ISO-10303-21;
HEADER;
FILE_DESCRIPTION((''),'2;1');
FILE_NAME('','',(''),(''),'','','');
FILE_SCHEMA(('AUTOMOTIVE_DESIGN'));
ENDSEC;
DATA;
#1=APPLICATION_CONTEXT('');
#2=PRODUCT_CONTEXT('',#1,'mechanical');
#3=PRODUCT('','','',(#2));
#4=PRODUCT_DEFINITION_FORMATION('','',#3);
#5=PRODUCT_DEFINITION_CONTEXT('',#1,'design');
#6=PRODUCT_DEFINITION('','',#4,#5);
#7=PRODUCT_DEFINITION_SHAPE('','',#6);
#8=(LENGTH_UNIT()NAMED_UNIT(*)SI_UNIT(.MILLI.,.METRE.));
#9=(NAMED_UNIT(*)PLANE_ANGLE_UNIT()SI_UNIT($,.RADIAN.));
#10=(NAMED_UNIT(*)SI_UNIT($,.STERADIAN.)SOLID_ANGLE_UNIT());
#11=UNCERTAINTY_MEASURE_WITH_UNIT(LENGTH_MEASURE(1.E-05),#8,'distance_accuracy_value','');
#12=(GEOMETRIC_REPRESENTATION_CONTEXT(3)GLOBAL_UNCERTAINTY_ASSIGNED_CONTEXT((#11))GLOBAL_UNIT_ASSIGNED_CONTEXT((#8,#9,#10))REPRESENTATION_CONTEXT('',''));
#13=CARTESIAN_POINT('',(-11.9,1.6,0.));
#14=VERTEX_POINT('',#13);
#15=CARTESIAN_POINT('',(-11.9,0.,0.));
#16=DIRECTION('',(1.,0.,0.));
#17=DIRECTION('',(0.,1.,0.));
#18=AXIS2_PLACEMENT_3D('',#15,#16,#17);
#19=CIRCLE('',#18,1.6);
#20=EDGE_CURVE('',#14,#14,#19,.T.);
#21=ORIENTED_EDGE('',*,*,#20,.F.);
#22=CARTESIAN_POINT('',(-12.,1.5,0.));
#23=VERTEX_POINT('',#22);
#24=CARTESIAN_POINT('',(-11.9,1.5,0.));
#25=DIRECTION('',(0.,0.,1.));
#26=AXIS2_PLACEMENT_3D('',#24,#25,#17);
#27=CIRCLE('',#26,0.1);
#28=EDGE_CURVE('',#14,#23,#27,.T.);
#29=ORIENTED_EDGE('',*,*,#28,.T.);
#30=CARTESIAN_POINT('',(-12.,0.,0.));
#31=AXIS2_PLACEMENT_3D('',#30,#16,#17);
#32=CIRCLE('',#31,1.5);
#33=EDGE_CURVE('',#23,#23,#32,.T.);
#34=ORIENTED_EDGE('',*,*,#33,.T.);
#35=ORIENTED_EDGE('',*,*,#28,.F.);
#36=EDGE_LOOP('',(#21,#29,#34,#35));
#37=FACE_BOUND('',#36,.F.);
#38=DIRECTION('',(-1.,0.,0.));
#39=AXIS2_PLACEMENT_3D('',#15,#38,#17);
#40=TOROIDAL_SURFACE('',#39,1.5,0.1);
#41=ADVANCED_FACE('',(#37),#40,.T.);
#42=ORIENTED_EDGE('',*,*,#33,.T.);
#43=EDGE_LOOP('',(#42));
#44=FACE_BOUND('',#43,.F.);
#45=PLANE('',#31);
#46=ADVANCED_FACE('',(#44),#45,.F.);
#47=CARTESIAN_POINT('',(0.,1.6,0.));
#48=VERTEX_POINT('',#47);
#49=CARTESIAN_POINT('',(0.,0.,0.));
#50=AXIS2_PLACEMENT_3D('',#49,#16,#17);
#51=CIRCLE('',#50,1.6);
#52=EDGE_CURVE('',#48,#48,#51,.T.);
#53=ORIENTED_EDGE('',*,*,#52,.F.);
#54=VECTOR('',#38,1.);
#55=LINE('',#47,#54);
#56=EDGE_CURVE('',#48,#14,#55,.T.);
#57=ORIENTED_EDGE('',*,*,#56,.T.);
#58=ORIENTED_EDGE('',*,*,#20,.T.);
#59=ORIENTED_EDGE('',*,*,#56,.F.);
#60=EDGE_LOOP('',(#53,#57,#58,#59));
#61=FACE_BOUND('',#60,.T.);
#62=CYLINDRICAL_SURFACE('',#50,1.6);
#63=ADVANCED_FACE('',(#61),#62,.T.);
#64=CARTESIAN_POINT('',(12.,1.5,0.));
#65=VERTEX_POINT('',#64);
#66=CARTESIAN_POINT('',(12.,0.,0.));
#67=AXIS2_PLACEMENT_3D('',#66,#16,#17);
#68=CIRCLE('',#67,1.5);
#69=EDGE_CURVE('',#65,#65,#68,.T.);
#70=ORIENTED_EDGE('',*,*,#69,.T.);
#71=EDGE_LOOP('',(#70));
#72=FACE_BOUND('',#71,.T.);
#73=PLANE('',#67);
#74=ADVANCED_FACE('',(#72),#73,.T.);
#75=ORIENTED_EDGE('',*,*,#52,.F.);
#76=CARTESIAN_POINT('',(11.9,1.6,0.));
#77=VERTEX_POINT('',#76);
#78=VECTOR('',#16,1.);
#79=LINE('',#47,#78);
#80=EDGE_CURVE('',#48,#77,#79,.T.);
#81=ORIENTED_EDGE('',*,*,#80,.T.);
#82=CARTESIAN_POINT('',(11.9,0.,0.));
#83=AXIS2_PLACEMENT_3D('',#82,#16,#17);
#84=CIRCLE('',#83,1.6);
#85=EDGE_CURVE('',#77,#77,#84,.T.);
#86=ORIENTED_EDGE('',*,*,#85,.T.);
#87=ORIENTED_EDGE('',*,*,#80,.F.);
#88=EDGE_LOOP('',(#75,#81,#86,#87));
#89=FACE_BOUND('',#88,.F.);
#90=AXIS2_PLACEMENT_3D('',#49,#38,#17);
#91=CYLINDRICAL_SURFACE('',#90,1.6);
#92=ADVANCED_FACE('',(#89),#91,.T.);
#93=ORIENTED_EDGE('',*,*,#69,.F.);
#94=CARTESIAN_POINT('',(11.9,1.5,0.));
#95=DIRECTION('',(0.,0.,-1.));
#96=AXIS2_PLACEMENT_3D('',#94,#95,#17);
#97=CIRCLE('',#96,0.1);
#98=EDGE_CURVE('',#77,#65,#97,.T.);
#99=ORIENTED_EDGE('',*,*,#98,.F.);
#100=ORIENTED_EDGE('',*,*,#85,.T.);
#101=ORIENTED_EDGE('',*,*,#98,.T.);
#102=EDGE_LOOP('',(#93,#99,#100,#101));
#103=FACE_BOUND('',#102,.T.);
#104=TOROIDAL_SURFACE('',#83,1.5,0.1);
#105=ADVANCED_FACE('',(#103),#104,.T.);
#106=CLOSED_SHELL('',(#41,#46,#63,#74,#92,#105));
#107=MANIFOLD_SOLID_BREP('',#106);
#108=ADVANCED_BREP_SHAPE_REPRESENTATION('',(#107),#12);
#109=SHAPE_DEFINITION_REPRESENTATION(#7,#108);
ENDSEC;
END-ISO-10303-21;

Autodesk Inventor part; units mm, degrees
ref_plane "YZ Plane" through (0, 0, 0) normal (1, 0, 0) x (0, 1, 0)
ref_plane "XZ Plane" through (0, 0, 0) normal (0, 1, 0) x (-1, 0, 0)
ref_plane "XY Plane" through (0, 0, 0) normal (0, 0, 1) x (1, 0, 0)
sketch "Sketch1" plane through (0, 0, 0) normal (1, 0, 0) x (0, 1, 0)
  circle A0 centre (0, 0) radius 1.6
  dimension "d26" = 3.2
extrude "Extrusion7" add sketch "Sketch1" along normal mid plane 24
fillet "Fillet2" radius 0.1 2 edges at (12, -1.6, 0) (-12, -1.6, 0)
equation "\"d26\" = rd"
equation "\"d27\" = 3 * lu"
equation "\"rd\" = 3.2"
equation "\"lu\" = 8"
properties part number "87994-Black" material "ABS Plastic"
